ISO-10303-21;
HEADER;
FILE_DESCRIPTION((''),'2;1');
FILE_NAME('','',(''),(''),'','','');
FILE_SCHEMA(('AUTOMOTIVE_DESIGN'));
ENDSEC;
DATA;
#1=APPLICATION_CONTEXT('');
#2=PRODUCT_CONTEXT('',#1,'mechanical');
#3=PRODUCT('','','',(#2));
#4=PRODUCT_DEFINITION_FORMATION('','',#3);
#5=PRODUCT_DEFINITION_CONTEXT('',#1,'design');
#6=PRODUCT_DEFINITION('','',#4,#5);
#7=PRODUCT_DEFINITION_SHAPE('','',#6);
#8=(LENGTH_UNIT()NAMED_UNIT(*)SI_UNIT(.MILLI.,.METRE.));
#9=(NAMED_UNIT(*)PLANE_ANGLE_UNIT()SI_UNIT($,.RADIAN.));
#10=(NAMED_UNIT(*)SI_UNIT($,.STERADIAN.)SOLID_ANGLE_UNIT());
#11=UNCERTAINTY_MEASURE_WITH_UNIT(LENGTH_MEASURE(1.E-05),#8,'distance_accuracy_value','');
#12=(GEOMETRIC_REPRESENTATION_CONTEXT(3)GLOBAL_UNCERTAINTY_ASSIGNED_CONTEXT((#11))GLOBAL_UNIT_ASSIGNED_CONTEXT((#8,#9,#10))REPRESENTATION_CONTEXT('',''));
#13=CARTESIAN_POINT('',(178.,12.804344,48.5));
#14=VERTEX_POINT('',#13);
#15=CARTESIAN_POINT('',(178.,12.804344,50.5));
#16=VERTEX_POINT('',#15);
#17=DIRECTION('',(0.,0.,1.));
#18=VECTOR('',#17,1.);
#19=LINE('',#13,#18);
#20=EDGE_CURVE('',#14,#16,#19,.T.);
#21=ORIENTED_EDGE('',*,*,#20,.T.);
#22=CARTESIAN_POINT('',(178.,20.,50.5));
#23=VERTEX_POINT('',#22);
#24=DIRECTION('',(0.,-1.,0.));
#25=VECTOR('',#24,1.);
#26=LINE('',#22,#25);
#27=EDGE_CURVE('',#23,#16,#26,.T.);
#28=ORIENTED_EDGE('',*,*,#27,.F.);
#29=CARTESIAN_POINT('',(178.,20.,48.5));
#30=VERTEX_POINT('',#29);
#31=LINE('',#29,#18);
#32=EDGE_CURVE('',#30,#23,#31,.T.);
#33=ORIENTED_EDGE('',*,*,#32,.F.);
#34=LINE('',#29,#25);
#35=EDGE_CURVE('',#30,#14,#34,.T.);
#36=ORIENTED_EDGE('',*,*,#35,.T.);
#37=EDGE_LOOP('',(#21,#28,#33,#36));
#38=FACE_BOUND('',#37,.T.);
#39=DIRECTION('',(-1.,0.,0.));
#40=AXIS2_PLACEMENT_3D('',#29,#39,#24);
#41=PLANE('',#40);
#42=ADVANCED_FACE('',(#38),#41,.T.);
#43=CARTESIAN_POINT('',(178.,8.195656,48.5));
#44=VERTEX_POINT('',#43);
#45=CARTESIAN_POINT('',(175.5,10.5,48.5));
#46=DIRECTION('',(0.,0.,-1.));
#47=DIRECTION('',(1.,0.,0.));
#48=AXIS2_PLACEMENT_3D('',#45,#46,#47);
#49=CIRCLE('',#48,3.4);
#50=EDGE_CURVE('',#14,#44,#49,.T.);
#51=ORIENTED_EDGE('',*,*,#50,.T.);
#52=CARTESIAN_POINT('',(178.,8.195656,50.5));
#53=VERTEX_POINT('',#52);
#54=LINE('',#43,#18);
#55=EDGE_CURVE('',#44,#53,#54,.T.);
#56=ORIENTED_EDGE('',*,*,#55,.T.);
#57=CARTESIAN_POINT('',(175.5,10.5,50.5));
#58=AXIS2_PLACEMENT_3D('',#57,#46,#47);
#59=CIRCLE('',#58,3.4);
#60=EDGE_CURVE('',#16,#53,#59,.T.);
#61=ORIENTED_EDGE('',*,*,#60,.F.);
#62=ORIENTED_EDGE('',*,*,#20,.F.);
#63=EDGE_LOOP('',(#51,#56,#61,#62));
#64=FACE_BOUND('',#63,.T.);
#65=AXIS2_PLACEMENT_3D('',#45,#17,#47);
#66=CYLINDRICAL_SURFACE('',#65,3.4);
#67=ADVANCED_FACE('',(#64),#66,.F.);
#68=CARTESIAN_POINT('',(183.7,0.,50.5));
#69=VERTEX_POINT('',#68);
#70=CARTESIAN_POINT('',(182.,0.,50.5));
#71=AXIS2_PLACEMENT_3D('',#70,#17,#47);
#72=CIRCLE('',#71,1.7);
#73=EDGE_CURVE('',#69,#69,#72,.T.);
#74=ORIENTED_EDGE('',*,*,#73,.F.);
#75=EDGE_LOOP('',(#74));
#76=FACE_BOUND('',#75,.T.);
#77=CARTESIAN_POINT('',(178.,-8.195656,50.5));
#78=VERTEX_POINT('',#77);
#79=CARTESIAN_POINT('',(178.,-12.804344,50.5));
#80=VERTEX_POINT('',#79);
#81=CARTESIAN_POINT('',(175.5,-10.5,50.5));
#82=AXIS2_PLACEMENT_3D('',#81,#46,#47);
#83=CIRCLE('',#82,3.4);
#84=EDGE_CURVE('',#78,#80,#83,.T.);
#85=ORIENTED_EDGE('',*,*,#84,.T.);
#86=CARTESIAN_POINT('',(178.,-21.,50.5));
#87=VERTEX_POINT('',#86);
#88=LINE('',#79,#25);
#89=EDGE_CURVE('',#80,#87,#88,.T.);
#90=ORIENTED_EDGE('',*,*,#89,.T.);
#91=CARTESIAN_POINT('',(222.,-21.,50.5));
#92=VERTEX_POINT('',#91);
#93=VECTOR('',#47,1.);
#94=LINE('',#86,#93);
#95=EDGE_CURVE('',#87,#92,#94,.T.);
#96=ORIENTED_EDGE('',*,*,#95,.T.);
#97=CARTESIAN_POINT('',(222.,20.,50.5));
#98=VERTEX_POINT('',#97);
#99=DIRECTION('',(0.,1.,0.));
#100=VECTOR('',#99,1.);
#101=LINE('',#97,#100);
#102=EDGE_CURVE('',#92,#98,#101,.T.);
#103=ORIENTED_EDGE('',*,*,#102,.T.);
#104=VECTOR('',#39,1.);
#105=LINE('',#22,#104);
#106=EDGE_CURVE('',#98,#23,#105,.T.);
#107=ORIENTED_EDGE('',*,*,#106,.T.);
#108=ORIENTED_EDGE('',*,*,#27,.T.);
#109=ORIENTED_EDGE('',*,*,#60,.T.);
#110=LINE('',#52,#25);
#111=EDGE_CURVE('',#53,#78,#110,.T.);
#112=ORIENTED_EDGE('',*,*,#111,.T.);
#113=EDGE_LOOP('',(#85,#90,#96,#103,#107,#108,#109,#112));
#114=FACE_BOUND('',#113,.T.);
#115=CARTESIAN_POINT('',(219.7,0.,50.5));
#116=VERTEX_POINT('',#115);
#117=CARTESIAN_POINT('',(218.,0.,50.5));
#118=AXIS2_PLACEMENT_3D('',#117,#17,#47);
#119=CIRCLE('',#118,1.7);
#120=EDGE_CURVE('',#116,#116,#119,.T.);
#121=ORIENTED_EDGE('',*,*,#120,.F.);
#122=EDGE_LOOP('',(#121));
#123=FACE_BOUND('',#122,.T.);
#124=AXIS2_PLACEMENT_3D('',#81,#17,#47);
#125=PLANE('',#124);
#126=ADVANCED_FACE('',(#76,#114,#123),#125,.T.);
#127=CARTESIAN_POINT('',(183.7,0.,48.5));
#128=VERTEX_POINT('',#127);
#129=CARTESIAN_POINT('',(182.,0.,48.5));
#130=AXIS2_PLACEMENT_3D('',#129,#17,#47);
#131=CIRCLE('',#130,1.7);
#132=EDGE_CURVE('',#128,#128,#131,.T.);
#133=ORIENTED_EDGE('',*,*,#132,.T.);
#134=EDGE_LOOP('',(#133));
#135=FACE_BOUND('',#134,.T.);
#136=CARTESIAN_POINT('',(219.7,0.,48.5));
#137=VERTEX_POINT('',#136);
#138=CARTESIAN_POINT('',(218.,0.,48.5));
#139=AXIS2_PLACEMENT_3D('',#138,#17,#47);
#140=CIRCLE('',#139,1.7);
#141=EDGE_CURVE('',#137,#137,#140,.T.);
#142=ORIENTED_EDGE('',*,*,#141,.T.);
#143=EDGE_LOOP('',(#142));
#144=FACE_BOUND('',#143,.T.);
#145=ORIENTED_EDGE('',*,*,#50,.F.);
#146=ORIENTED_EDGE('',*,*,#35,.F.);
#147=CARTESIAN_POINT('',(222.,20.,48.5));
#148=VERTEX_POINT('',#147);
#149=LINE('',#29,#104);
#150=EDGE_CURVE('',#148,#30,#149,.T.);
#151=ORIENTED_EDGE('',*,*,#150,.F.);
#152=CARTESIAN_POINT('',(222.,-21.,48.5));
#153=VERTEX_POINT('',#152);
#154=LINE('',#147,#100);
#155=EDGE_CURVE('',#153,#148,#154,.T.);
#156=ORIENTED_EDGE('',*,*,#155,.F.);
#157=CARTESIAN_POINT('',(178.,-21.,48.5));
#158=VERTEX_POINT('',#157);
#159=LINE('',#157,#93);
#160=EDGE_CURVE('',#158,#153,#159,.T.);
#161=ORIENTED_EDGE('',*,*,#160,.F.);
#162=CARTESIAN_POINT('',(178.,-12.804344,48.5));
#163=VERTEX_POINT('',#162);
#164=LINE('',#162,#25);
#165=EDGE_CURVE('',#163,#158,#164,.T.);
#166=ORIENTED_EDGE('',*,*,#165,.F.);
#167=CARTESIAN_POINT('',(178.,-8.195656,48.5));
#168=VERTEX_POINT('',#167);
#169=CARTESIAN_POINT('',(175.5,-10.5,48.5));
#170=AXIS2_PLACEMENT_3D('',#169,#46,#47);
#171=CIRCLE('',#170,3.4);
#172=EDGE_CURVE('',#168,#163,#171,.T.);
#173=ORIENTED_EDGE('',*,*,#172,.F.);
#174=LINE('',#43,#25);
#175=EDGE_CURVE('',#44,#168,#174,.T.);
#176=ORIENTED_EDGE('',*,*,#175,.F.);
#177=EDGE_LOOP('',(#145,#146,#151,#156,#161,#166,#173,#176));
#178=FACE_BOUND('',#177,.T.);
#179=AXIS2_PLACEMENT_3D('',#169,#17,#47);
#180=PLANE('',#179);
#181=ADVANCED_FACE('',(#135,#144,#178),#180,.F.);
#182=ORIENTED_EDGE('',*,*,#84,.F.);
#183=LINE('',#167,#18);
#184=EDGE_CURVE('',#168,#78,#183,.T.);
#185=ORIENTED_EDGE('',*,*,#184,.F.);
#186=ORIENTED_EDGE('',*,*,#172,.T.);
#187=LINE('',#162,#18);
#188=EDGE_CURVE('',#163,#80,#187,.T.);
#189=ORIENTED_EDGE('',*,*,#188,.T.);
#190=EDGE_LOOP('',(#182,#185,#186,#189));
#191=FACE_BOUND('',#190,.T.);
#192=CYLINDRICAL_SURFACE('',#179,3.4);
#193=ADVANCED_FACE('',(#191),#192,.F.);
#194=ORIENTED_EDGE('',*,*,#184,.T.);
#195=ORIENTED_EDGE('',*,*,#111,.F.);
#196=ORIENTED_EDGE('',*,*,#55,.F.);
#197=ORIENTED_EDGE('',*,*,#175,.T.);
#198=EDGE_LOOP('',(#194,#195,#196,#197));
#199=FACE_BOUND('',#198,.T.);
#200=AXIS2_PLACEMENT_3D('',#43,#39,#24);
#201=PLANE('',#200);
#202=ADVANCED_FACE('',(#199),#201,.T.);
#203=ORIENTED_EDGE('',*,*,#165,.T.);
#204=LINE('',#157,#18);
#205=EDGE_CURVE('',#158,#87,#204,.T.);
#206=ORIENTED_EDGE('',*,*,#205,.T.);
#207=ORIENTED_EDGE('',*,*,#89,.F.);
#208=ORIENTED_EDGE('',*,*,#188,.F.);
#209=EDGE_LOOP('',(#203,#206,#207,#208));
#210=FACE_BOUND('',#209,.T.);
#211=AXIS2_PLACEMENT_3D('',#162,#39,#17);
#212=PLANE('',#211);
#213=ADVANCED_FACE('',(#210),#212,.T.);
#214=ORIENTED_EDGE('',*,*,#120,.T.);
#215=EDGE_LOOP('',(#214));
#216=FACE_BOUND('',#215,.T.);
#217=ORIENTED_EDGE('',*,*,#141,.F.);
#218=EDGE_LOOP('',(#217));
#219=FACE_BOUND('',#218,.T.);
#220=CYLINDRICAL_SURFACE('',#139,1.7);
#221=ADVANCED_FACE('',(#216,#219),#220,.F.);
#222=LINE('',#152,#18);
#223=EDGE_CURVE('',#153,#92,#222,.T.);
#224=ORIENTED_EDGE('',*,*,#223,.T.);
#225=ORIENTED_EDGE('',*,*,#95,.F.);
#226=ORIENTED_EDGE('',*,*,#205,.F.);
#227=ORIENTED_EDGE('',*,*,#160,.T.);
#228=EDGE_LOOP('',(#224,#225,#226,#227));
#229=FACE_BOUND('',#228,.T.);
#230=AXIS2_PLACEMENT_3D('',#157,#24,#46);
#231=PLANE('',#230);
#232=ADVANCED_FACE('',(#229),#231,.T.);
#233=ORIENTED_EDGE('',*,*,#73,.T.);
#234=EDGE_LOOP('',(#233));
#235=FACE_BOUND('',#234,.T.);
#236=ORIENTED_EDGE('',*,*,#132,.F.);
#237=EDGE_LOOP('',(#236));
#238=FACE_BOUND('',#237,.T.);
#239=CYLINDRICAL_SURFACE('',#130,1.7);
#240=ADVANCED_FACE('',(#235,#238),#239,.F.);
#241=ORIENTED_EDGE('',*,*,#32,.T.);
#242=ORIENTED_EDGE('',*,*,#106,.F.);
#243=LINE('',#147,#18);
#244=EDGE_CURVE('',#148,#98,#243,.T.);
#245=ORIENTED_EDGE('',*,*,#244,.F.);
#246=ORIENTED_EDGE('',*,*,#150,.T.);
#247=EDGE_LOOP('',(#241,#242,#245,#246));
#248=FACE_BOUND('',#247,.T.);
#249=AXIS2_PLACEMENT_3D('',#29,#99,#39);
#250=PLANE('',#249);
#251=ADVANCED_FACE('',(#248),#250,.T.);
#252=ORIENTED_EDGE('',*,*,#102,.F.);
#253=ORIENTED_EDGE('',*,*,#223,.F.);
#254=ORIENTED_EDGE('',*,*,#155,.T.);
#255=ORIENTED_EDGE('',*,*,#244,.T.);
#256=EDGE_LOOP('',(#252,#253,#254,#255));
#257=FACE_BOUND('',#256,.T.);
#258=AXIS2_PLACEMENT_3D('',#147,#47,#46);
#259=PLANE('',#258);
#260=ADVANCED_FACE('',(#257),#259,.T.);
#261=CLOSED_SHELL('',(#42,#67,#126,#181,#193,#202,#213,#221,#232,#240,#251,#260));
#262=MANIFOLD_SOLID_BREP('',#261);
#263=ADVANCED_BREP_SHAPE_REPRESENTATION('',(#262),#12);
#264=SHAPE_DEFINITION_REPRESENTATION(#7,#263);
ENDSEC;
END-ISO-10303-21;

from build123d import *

# Parameters (mm, degrees)
MAIN_PROFILE_SKETCH_R = 1.7
MAIN_EXTRUSION_DEPTH  = 2


with BuildPart() as part:
    # Main Profile Sketch → Main Extrusion (new body)
    with BuildSketch(Plane.XY.offset(50.5)):
        with BuildLine():
            Line((178, 8.195656276), (178, -8.195656276))
            ThreePointArc((178, -8.195656276), (178.9, -10.5), (178, -12.804343724))
            Line((178, -12.804343724), (178, -21))
            Line((178, -21), (222, -21))
            Line((222, -21), (222, 20))
            Line((222, 20), (178, 20))
            Line((178, 20), (178, 12.804343724))
            ThreePointArc((178, 12.804343724), (178.9, 10.5), (178, 8.195656276))
        make_face()
        with Locations((182, 0)):
            Circle(MAIN_PROFILE_SKETCH_R, mode=Mode.SUBTRACT)
        with Locations((218, 0)):
            Circle(MAIN_PROFILE_SKETCH_R, mode=Mode.SUBTRACT)
    extrude(amount=-MAIN_EXTRUSION_DEPTH)


solid = part.part
